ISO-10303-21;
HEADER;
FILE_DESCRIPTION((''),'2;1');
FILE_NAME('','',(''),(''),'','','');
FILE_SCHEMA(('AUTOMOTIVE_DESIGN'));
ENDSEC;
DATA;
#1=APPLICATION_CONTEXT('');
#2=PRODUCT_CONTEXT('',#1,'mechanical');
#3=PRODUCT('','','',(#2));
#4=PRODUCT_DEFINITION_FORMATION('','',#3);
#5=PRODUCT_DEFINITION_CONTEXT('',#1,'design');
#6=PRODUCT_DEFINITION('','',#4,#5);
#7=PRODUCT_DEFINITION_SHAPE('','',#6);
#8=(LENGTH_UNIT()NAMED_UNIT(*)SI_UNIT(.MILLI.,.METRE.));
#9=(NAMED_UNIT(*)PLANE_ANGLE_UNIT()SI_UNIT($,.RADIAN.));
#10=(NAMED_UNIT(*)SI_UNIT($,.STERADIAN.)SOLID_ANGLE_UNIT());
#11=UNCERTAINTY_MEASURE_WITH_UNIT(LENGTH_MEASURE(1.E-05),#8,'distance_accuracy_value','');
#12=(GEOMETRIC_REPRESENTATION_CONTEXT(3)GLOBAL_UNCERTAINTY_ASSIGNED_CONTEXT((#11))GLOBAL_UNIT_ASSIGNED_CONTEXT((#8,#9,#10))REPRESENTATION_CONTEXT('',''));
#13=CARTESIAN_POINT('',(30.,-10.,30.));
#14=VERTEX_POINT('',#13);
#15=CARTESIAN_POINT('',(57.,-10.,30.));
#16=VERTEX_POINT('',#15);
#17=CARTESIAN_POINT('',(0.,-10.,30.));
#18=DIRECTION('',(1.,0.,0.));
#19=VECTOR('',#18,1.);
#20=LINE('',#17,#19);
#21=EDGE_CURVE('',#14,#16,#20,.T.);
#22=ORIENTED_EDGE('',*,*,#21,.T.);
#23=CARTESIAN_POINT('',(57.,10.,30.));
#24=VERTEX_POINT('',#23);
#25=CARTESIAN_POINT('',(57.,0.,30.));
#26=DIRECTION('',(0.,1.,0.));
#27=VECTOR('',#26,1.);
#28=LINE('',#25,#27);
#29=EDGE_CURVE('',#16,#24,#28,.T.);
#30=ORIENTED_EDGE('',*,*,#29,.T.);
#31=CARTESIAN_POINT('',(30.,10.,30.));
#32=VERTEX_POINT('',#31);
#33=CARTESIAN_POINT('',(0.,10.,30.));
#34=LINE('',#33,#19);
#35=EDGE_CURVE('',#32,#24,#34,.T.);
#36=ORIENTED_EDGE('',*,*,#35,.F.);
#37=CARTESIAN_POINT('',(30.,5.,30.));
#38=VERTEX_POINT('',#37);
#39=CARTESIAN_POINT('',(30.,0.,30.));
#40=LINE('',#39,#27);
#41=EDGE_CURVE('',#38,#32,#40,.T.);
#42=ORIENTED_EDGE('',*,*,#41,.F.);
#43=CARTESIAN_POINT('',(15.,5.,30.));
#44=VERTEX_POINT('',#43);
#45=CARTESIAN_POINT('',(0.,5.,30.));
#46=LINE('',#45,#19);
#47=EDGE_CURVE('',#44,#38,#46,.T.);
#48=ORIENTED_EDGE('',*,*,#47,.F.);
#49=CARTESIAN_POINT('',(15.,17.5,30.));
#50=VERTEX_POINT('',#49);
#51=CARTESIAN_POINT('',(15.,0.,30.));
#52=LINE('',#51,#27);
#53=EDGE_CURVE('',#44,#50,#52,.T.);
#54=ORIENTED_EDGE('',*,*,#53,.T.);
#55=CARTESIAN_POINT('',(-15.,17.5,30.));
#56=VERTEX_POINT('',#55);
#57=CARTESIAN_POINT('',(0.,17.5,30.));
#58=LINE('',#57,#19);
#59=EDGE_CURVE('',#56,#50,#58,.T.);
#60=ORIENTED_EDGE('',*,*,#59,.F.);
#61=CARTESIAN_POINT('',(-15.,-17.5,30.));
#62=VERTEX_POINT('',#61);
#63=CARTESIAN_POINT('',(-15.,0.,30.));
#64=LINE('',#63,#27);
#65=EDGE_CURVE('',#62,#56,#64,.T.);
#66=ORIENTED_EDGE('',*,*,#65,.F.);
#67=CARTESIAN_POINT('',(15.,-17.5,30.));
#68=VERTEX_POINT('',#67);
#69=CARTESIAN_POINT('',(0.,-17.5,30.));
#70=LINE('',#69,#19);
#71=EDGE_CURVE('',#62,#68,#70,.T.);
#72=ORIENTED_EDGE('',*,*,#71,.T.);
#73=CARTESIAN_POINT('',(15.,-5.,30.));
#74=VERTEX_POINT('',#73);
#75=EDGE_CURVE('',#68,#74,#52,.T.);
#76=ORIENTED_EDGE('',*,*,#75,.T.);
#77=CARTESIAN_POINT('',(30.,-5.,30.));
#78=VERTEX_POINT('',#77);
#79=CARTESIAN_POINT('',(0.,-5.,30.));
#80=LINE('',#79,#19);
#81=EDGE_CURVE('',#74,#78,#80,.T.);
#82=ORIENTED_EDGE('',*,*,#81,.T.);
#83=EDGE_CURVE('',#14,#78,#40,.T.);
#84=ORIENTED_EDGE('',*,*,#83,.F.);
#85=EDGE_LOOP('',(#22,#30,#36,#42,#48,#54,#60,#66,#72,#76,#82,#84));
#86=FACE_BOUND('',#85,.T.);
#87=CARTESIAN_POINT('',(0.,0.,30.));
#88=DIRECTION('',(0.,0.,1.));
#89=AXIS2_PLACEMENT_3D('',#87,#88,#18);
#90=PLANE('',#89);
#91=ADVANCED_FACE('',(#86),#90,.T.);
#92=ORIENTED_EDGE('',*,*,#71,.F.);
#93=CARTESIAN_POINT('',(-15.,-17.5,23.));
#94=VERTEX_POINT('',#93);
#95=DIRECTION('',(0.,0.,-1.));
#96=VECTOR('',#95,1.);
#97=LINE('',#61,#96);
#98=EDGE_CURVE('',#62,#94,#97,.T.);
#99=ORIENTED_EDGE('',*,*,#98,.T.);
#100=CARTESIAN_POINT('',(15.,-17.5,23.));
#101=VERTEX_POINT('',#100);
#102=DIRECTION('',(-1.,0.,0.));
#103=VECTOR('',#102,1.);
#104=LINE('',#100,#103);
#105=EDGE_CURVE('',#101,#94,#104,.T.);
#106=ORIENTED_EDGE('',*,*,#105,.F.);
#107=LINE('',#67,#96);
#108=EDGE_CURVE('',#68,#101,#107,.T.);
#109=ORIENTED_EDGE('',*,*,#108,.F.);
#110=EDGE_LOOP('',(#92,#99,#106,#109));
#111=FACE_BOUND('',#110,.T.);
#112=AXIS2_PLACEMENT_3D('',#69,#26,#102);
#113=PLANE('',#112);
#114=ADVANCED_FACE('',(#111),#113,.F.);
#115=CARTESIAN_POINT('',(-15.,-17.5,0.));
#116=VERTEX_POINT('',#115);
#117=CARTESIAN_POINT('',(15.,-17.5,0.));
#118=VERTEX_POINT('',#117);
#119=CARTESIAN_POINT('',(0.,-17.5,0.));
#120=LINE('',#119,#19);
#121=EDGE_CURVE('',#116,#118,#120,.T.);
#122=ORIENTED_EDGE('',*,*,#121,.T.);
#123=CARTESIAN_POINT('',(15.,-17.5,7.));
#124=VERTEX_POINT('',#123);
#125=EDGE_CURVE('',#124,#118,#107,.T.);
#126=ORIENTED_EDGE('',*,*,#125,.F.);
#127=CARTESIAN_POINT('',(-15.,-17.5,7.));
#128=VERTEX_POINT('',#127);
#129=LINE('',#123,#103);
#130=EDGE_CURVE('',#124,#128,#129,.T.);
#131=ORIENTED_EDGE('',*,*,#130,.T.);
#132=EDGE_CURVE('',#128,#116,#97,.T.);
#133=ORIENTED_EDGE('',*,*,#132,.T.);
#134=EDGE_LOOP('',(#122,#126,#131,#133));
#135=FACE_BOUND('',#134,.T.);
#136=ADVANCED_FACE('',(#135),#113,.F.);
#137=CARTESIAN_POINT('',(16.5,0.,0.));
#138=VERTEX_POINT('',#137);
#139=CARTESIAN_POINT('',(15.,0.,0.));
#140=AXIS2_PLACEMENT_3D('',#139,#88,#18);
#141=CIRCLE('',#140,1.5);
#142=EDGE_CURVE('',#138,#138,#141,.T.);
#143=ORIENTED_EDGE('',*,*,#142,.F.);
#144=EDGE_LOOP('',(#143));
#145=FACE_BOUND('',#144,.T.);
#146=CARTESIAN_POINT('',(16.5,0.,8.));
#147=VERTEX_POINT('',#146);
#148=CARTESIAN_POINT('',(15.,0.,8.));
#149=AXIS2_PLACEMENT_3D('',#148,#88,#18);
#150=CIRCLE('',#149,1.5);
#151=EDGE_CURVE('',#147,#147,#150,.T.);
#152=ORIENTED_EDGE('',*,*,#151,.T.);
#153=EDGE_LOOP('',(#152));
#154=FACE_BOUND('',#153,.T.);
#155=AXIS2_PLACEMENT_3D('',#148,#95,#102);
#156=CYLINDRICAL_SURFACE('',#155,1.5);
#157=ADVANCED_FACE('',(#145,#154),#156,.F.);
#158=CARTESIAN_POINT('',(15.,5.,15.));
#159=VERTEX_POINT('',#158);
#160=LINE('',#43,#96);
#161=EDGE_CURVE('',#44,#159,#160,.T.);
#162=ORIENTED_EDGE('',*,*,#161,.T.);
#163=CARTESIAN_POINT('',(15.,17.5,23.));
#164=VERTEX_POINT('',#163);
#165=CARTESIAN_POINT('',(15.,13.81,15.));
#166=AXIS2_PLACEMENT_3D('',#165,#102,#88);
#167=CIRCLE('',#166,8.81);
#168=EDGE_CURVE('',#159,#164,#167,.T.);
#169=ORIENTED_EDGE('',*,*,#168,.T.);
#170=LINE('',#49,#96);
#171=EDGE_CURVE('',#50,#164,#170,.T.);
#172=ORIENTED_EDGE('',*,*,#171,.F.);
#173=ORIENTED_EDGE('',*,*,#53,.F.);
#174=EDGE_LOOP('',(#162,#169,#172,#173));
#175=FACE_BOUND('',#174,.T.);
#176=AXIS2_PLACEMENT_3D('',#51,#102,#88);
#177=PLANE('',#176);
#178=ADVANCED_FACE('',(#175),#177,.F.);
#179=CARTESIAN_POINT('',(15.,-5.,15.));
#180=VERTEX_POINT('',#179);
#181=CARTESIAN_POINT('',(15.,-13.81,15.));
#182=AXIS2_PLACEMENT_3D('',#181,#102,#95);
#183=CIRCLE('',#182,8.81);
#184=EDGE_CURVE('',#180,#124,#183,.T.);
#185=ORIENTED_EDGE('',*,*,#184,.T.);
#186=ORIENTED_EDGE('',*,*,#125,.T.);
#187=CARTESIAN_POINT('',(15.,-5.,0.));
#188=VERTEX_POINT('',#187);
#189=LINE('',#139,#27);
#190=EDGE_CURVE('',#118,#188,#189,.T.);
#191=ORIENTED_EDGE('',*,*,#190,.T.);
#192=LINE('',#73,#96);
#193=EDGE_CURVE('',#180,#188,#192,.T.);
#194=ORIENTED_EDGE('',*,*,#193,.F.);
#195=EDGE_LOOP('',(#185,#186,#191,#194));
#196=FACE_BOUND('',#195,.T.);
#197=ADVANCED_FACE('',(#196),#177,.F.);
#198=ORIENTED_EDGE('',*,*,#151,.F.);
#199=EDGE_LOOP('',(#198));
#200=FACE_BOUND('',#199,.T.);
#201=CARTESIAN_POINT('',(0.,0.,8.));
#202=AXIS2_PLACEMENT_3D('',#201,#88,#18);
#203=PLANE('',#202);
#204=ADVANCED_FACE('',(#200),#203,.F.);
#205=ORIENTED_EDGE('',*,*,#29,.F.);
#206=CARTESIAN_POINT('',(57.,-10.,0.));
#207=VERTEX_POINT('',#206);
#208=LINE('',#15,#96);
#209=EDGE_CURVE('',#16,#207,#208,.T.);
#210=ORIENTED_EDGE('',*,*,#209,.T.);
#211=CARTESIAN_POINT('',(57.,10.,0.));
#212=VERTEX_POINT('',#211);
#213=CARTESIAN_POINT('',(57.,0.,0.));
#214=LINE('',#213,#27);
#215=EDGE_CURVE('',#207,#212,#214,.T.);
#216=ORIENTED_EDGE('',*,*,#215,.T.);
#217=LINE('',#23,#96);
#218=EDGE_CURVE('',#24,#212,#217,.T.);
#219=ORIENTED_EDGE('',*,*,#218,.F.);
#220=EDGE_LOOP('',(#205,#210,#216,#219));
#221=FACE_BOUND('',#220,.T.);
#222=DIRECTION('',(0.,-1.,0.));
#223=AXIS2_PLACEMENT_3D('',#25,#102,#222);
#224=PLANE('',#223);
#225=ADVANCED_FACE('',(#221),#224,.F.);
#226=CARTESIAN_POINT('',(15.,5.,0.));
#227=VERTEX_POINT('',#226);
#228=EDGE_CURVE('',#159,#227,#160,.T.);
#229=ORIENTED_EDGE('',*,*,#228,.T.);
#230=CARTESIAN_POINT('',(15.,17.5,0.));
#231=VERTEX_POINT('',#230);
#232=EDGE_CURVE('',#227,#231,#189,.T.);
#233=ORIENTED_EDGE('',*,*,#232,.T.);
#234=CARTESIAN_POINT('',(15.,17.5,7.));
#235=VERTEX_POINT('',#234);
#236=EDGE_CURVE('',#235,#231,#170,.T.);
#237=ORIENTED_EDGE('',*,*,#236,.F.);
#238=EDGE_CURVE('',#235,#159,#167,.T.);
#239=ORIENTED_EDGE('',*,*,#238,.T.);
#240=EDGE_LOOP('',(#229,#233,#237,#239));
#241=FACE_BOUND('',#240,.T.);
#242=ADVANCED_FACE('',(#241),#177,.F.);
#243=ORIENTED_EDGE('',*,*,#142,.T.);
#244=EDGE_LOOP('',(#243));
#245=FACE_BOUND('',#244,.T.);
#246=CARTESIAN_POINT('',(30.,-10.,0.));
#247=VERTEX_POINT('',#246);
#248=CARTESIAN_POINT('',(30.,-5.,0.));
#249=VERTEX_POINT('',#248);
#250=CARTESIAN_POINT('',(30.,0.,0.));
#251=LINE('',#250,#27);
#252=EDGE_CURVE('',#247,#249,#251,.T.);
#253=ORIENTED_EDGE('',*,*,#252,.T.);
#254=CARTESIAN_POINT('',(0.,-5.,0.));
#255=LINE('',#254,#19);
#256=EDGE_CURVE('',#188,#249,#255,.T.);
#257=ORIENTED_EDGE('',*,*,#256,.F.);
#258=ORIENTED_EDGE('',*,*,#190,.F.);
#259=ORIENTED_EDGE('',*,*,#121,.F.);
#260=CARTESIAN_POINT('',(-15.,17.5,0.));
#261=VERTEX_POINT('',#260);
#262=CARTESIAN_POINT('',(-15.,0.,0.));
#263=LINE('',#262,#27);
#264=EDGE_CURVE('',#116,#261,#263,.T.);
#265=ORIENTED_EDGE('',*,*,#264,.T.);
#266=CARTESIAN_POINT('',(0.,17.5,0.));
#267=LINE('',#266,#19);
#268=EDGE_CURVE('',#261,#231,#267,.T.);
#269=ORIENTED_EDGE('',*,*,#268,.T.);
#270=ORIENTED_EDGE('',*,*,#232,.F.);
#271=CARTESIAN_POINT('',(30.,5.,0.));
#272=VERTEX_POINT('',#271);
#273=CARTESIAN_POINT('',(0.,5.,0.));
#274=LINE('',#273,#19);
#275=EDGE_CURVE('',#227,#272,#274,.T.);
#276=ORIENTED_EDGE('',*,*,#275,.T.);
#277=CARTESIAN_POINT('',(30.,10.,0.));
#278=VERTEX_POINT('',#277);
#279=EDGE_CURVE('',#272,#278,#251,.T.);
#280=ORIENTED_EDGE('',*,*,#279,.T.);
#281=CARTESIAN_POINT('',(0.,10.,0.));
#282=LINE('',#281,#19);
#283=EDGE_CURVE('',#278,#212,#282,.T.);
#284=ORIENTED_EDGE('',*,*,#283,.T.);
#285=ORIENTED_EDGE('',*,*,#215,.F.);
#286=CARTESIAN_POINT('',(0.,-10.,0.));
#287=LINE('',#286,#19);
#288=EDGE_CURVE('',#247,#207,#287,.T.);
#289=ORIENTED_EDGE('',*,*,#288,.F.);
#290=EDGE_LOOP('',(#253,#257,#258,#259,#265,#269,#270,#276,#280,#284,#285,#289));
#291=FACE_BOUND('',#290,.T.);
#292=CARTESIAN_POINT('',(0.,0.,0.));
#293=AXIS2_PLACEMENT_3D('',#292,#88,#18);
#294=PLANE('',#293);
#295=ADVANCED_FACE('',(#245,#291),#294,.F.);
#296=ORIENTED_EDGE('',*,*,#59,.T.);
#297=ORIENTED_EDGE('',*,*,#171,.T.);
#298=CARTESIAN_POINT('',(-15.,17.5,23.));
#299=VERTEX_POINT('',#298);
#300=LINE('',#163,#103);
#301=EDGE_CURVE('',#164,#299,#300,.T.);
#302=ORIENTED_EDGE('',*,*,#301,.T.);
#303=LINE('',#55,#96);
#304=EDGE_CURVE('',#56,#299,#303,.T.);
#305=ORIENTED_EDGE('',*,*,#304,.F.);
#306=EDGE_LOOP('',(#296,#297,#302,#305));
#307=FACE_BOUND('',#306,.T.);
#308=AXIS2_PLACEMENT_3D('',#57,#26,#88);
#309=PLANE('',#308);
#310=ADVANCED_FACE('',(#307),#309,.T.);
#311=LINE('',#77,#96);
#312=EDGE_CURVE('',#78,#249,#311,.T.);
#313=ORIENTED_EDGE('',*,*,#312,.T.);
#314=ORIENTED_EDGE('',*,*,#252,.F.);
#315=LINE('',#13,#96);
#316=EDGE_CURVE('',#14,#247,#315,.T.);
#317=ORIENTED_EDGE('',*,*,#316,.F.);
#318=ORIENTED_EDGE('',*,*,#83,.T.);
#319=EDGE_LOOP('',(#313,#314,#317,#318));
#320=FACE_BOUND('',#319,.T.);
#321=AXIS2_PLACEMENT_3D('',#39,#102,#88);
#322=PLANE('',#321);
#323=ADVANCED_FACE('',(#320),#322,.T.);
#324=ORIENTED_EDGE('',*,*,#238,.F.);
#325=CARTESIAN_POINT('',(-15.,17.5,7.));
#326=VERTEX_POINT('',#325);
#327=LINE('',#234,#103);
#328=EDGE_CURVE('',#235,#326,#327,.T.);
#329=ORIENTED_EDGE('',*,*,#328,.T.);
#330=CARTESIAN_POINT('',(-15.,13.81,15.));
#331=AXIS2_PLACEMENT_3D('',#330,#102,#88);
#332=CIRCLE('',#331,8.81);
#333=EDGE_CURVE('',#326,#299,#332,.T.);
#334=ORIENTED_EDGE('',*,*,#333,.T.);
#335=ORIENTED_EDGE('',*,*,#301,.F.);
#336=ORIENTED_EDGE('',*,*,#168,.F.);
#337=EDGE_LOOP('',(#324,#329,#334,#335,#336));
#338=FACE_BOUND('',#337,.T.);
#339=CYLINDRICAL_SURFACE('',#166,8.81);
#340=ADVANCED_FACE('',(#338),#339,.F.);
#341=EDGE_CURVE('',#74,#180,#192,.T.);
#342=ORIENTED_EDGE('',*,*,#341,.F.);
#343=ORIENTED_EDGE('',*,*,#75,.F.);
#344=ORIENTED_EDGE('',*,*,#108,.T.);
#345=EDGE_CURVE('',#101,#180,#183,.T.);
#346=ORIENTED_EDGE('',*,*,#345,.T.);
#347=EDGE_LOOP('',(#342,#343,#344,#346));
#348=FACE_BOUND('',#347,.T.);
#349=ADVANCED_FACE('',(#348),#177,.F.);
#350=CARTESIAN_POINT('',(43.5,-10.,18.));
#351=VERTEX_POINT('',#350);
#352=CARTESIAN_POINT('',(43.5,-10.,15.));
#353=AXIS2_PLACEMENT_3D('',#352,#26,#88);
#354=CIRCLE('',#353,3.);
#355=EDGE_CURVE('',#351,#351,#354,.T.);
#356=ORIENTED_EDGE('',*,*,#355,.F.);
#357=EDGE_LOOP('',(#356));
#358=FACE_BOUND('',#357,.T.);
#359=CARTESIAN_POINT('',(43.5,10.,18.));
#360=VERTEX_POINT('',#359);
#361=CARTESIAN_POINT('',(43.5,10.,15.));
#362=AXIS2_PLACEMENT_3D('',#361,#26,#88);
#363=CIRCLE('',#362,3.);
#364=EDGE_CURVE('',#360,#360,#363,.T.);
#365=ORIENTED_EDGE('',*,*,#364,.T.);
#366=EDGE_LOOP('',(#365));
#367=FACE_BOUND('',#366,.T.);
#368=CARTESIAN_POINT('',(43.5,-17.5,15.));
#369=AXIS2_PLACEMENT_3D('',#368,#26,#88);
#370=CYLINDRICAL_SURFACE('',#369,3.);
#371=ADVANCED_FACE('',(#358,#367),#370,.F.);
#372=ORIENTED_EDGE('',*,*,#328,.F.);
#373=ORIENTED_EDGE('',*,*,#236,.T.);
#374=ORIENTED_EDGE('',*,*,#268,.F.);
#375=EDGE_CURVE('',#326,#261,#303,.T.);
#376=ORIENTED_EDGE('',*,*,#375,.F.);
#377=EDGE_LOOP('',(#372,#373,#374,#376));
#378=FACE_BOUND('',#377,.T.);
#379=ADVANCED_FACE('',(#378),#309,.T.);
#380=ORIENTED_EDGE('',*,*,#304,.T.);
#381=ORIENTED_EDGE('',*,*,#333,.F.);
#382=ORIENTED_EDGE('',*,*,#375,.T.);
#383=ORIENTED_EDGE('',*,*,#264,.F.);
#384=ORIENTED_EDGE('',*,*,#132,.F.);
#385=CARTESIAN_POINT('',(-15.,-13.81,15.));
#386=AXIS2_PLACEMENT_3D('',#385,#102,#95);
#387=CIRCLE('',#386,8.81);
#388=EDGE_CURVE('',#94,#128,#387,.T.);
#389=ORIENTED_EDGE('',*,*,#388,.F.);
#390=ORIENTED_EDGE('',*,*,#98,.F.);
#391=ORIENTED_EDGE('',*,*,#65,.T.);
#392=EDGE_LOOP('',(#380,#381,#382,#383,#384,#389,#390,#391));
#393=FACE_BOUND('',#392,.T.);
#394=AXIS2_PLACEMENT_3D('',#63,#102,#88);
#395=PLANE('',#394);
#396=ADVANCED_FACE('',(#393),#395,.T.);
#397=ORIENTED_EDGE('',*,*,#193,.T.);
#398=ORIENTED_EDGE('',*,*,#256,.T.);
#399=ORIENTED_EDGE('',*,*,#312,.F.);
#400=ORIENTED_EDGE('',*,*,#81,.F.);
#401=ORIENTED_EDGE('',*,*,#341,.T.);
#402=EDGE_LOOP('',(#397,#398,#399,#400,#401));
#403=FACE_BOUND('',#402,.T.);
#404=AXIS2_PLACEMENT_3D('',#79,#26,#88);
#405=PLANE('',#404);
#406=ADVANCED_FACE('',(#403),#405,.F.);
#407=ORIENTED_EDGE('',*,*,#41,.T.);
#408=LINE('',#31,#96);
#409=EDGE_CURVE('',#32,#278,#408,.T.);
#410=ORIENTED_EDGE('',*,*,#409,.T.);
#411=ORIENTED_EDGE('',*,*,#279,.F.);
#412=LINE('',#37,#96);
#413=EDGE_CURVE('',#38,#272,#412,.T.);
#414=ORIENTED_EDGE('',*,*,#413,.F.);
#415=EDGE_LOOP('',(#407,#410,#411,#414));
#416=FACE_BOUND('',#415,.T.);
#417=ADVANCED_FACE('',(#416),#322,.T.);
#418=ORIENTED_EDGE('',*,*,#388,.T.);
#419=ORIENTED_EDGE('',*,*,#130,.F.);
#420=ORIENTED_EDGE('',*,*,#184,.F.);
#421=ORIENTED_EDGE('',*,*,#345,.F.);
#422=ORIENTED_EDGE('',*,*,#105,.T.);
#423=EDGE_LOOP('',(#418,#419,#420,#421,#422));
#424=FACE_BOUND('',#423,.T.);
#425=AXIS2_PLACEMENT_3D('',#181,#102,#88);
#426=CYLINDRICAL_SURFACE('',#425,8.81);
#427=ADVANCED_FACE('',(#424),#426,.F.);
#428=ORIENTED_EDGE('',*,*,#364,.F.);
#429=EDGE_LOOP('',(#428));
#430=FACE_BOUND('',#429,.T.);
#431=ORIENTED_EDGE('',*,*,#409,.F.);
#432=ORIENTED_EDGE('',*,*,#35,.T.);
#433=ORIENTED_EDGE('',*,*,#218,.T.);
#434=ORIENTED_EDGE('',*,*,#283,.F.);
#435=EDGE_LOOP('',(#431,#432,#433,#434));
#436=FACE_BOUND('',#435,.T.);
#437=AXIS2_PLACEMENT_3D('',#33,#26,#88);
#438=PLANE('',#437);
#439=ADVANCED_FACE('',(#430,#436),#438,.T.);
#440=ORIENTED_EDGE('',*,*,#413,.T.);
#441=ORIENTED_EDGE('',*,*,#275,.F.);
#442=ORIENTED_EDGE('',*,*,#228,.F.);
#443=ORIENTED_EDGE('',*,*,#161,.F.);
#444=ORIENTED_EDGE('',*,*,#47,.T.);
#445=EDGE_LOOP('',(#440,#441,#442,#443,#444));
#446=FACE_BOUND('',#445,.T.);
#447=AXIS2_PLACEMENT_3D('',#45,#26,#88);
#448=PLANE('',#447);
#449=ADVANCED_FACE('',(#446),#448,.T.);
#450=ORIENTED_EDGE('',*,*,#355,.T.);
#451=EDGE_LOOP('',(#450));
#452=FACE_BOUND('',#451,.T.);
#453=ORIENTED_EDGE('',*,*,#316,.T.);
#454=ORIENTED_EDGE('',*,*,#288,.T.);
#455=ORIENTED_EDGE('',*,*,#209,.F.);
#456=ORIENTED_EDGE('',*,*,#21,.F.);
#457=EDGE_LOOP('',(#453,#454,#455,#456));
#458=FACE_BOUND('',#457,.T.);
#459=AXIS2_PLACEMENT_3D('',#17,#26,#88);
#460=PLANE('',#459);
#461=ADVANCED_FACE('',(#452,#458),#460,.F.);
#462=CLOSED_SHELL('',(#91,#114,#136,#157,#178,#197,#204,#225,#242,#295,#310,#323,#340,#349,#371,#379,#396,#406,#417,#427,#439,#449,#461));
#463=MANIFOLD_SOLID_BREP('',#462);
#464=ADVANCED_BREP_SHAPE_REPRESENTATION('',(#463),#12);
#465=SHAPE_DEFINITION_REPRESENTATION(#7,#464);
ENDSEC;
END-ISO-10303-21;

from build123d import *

# Parameters (mm, degrees)
SKETCH1_W           = 30
SKETCH1_H           = 35
SKETCH1_W_2         = 27
SKETCH1_H_2         = 20
SKETCH1_W_3         = 15
SKETCH1_H_3         = 10
BOSS_EXTRUDE1_DEPTH = 30
CUT_EXTRUDE1_DEPTH  = 8
SKETCH15_R          = 3
CUT_EXTRUDE3_DEPTH  = 71.037489961
CUT_EXTRUDE6_DEPTH  = 30


with BuildPart() as part:
    # Sketch1 → Boss-Extrude1 (new body)
    with BuildSketch(Plane.XY):
        Rectangle(SKETCH1_W, SKETCH1_H)
        with Locations((43.5, 0)):
            Rectangle(SKETCH1_W_2, SKETCH1_H_2)
        with Locations((22.5, 0)):
            Rectangle(SKETCH1_W_3, SKETCH1_H_3)
    extrude(amount=BOSS_EXTRUDE1_DEPTH)

    # Sketch1<3> → Cut-Extrude1 (cut)
    with BuildSketch(Plane.XY):
        with BuildLine():
            ThreePointArc((15, 1.5), (13.5, 0), (15, -1.5))
            Line((15, -1.5), (15, 1.5))
        make_face()
        with BuildLine():
            Line((15, 1.5), (15, -1.5))
            ThreePointArc((15, -1.5), (16.060660172, -1.060660172), (16.5, 0))
            ThreePointArc((16.5, 0), (16.060660172, 1.060660172), (15, 1.5))
        make_face()
    extrude(amount=CUT_EXTRUDE1_DEPTH, mode=Mode.SUBTRACT)

    # Sketch15 → Cut-Extrude3 (cut, through all)
    with BuildSketch(Plane(origin=(0, 10, 0), x_dir=(1, 0, 0), z_dir=(0, 1, 0))):
        with Locations(Location((43.5, -15, 0), (0, 0, 270))):
            Circle(SKETCH15_R)
    extrude(amount=-CUT_EXTRUDE3_DEPTH, mode=Mode.SUBTRACT)

    # Sketch5 → Cut-Extrude6 (cut)
    with BuildSketch(Plane.ZY.offset(15)):
        with BuildLine():
            Line((7, -17.5), (23, -17.5))
            ThreePointArc((23, -17.5), (15, -5), (7, -17.5))
        make_face()
        with BuildLine():
            Line((7, 17.5), (23, 17.5))
            ThreePointArc((23, 17.5), (15, 5), (7, 17.5))
        make_face()
    extrude(amount=-CUT_EXTRUDE6_DEPTH, mode=Mode.SUBTRACT)


solid = part.part
